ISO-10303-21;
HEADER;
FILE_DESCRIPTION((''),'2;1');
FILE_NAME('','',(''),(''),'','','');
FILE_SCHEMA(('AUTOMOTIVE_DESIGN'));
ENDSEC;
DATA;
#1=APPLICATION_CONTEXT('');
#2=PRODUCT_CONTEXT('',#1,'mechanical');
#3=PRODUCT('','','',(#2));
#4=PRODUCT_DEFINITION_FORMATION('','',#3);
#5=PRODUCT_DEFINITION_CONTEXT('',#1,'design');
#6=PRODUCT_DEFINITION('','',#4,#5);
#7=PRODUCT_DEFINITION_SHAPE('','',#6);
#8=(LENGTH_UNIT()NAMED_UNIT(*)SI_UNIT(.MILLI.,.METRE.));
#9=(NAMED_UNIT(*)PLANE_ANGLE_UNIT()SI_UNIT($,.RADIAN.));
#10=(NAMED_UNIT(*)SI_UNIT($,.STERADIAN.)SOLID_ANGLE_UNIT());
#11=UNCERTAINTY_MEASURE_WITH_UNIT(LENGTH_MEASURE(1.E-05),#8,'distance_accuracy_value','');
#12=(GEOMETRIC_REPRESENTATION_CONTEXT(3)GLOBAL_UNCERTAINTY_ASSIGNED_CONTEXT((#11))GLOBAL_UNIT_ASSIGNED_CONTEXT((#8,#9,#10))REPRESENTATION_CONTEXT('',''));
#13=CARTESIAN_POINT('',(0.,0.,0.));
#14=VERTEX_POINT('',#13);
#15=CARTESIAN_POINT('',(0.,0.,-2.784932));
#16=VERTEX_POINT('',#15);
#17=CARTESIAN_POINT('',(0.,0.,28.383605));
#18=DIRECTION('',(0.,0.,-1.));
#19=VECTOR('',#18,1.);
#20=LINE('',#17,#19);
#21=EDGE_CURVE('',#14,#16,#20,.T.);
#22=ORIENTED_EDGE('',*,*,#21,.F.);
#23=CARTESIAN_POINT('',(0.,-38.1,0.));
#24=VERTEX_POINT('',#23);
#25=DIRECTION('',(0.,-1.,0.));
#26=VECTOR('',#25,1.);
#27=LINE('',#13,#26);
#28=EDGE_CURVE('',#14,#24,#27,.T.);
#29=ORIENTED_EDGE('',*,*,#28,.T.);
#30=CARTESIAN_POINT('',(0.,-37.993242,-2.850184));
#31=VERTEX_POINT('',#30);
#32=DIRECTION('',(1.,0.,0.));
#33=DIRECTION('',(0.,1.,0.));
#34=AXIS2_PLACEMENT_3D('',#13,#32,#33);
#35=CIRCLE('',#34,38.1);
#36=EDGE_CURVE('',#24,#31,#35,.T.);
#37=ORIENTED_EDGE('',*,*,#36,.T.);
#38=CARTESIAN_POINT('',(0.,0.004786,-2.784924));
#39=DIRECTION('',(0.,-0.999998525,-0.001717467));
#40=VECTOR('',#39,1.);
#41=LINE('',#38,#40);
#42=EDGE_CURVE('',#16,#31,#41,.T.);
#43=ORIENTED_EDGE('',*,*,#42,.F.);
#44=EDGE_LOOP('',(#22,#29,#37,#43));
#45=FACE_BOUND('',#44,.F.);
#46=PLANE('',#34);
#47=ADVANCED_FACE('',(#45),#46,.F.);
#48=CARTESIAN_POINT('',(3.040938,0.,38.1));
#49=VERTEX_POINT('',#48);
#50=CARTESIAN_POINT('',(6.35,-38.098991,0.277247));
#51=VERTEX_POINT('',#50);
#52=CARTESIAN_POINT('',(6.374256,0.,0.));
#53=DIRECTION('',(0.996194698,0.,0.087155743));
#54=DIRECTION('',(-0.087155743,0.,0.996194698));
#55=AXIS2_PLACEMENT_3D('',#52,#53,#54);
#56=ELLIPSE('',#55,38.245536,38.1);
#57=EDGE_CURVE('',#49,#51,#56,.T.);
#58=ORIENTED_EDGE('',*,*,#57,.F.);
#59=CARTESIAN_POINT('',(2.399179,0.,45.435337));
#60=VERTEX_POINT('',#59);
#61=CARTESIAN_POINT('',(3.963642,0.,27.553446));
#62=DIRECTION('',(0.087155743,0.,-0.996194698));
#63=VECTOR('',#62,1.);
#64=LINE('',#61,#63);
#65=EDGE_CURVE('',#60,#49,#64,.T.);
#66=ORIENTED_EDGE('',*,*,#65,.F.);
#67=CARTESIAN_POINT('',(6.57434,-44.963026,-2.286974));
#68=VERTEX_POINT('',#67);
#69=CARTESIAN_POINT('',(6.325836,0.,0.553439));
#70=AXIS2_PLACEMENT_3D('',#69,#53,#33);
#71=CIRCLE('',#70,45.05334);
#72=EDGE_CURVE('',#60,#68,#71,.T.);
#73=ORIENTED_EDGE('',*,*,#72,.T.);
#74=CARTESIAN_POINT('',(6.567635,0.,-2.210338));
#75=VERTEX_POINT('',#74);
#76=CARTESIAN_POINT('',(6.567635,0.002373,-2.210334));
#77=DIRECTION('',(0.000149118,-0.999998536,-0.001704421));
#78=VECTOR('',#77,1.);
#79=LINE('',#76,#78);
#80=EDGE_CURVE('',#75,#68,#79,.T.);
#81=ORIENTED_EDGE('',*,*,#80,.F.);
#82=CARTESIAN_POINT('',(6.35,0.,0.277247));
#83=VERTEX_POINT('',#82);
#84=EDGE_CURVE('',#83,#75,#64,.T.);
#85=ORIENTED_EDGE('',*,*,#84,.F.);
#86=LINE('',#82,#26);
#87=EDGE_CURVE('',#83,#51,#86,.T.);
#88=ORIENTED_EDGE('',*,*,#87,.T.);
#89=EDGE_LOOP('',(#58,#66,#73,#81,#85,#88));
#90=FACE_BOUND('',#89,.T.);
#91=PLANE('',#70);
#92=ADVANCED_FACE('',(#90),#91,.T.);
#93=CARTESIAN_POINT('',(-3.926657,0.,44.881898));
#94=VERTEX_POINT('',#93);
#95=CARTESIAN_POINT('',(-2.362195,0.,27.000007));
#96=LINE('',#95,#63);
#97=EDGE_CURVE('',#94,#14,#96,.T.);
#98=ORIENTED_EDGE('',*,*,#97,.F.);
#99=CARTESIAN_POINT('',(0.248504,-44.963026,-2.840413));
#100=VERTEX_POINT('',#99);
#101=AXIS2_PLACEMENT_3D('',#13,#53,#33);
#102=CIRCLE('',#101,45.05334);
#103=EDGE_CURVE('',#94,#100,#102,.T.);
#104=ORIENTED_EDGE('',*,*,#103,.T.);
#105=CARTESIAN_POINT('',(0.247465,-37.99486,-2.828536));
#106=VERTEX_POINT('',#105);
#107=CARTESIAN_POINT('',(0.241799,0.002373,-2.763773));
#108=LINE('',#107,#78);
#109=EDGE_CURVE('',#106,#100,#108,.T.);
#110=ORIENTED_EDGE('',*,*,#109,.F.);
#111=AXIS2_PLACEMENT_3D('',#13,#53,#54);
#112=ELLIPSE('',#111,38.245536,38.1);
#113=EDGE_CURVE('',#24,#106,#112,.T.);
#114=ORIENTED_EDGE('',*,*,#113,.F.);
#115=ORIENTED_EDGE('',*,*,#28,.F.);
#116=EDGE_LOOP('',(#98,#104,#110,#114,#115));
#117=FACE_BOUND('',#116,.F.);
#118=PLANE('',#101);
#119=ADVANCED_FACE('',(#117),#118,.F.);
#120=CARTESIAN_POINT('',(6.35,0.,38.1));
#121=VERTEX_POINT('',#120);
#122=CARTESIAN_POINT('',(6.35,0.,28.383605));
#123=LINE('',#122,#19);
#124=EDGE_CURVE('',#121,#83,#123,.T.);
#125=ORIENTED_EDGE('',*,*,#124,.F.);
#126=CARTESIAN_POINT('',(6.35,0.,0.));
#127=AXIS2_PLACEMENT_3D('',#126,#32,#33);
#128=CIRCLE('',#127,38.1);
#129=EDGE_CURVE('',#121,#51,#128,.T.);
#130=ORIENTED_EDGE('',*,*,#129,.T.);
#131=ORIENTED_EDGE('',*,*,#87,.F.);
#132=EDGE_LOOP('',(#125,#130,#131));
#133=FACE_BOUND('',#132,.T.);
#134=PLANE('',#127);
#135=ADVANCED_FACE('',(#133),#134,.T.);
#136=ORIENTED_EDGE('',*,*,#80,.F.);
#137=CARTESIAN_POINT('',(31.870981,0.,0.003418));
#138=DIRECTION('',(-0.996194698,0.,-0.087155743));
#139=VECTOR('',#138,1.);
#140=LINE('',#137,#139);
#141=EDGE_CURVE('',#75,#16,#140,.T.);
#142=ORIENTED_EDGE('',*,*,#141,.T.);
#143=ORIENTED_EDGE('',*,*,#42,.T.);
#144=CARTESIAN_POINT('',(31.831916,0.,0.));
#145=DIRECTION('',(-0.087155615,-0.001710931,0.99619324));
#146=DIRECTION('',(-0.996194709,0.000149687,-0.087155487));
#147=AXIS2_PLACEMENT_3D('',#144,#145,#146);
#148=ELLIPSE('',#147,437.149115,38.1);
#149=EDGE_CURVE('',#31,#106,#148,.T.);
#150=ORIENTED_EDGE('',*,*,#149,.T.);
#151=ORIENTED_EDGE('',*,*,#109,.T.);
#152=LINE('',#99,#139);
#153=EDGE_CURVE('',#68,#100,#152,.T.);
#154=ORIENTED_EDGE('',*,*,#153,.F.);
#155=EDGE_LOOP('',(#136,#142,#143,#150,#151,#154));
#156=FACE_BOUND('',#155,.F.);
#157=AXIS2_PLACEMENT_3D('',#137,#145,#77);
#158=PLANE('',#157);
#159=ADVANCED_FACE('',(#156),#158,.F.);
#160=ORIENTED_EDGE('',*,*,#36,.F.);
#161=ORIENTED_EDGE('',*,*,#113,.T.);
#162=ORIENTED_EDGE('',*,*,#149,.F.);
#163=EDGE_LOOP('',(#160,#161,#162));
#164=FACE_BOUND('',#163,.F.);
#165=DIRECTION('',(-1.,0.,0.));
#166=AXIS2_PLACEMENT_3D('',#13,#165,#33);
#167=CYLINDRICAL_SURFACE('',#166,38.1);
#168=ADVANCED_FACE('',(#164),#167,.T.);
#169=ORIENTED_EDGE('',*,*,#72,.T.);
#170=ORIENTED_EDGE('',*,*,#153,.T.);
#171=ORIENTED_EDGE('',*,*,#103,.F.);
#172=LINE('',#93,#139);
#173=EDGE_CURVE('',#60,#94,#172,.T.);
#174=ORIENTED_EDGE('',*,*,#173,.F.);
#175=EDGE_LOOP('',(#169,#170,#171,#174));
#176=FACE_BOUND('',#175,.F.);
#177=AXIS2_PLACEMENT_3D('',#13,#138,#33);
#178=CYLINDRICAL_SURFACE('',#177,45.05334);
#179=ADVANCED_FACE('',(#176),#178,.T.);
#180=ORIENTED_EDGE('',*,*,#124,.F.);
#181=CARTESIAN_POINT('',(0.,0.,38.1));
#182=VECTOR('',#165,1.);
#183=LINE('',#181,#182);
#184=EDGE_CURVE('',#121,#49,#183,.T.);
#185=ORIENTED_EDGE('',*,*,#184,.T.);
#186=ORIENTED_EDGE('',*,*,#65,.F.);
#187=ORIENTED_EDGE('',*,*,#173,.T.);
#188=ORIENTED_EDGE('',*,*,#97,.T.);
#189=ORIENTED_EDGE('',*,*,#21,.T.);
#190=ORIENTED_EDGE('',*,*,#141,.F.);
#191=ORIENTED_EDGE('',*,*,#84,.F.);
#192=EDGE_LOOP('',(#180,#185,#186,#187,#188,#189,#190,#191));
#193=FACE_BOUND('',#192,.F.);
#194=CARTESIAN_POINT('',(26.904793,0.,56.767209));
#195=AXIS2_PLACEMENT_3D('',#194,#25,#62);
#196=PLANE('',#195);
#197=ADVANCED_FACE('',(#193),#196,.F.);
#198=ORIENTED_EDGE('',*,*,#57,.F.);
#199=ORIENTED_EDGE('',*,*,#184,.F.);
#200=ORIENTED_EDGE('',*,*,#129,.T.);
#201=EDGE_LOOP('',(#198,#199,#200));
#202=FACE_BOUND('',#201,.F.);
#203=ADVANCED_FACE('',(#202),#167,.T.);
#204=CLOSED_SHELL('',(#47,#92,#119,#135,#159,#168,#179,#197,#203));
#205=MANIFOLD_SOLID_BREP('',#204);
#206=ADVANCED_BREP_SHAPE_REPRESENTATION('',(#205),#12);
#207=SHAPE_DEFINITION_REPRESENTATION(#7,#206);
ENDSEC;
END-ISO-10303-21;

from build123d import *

# Parameters (mm, degrees)
F0_R     = 38.1
F1_DEPTH = 6.35
F4_R     = 45.0533398
F5_DEPTH = 6.35
F9_DEPTH = 50.8


with BuildPart() as f1:
    # F0 (on Right) → F1 (new body)
    with BuildSketch(Plane.YZ):
        Circle(F0_R)
    extrude(amount=F1_DEPTH)

    # F4 (on line) → F5 (join)
    with BuildSketch(Plane(origin=(0, 0, 0), x_dir=(0, 1, 0), z_dir=(0.9961946981, 0, 0.0871557427))):
        Circle(F4_R)
    extrude(amount=F5_DEPTH)

    # F8 (on offset) → F9 (cut)
    with BuildSketch(Plane(origin=(31.6291816644, 0, 2.7671948322), x_dir=(0, 1, 0), z_dir=(0.9961946981, 0, 0.0871557427))):
        Polygon((0, 54.2062856257), (0, -2.7743342798), (-63.262976706, -2.8825730551), (-87.0150923729, -54.4917583466), (75.6417736411, -57.2080314159), (68.2347118855, 54.2062856257), align=None)
    extrude(amount=-F9_DEPTH, mode=Mode.SUBTRACT)


solid = f1.part
